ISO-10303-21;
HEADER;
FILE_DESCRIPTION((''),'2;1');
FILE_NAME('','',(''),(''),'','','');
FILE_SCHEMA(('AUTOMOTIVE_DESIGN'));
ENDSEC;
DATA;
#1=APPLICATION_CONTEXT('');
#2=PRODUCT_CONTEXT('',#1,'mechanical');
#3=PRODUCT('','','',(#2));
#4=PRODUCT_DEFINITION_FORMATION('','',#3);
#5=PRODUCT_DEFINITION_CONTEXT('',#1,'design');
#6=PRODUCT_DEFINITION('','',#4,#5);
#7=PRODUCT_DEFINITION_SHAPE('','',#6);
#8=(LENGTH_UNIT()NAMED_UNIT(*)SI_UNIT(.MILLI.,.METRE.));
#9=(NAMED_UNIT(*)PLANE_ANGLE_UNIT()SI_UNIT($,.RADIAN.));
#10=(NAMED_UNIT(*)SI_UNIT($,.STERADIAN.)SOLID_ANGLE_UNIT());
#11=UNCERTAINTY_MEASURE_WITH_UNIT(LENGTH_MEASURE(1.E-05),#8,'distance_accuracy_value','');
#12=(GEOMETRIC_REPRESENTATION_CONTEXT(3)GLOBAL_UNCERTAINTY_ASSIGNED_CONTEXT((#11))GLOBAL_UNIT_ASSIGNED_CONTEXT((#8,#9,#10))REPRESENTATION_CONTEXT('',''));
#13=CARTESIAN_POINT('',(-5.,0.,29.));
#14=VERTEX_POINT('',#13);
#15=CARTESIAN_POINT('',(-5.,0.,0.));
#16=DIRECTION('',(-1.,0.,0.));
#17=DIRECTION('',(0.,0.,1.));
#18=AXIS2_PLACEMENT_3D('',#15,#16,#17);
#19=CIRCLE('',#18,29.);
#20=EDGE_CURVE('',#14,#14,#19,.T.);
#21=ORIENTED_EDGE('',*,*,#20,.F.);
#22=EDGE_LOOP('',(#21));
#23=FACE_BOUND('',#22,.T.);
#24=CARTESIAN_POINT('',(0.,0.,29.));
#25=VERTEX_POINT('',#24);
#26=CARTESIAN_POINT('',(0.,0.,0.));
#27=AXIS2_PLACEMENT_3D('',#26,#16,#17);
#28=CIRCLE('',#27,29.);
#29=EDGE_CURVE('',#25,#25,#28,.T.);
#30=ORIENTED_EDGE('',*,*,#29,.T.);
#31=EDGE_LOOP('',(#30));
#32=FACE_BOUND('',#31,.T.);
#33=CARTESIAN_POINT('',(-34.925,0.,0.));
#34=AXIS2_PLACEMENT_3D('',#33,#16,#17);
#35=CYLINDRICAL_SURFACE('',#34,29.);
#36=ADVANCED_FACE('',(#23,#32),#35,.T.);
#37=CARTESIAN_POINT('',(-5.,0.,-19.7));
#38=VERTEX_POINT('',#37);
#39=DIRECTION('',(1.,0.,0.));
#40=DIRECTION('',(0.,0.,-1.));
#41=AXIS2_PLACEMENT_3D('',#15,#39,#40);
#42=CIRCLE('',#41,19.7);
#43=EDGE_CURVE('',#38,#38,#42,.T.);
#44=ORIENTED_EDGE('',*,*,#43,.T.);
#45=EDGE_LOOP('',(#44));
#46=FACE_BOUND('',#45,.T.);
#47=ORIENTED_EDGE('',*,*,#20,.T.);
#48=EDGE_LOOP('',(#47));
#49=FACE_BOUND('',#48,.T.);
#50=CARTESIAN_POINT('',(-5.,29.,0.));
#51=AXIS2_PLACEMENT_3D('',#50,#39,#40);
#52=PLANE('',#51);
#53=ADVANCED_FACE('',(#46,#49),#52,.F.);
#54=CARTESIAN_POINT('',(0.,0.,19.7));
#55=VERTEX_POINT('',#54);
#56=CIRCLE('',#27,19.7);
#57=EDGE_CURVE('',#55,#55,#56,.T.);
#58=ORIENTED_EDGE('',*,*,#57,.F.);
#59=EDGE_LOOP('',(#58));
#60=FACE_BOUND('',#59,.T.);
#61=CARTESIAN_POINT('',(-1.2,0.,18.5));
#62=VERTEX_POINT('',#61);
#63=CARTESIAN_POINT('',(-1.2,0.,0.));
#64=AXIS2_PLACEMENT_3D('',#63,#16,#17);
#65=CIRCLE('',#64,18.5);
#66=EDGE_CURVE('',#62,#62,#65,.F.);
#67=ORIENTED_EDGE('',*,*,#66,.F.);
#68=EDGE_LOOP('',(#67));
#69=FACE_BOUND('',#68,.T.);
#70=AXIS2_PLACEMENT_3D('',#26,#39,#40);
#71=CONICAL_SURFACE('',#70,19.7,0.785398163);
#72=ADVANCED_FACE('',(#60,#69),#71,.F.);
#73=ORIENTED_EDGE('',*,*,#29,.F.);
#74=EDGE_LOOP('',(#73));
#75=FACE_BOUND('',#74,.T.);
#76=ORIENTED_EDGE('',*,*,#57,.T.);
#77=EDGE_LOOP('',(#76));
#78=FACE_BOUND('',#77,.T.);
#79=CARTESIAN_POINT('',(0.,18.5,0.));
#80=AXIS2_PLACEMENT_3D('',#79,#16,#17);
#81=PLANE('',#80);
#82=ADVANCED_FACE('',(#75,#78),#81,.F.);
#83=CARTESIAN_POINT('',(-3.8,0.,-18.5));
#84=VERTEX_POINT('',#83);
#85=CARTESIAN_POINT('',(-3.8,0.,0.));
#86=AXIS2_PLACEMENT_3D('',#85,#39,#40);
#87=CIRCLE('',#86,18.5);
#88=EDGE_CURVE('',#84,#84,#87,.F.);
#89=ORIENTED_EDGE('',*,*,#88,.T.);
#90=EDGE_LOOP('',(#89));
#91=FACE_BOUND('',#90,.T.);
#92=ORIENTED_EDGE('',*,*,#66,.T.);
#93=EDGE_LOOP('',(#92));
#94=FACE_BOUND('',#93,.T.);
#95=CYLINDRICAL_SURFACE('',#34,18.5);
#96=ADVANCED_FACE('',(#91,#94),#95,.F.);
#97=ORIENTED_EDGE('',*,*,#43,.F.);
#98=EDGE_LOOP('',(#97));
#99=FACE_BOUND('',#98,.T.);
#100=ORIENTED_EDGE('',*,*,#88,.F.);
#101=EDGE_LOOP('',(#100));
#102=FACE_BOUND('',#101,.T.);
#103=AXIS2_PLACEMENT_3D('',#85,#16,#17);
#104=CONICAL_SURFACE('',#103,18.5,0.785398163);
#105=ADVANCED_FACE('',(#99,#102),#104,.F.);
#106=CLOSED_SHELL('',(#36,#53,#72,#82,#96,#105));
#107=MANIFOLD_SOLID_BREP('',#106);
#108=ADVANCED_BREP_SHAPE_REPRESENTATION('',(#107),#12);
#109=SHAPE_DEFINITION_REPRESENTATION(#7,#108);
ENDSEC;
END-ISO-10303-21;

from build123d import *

# Parameters (mm, degrees)
SKETCH1_W         = 5
SKETCH1_H         = 10.5
IDCHAMFER_SIZE    = 1.2
IDCHAMFERFAR_SIZE = 1.2


with BuildPart() as part:
    # Sketch1 → Base-Revolve (revolve)
    with BuildSketch(Plane.XY, mode=Mode.PRIVATE) as base_revolve_sk:
        with Locations((-2.5, 23.75)):
            Rectangle(SKETCH1_W, SKETCH1_H)
    revolve(base_revolve_sk.sketch.rotate(Axis((-34.925, 0, 0), (1, 0, 0)), 90), axis=Axis((-34.925, 0, 0), (1, 0, 0)))

    # IDChamfer
    idchamfer_edges = [part.edges().sort_by_distance(p)[0] for p in [
        (0, 0, -18.5),
    ]]
    chamfer(idchamfer_edges, length=IDCHAMFER_SIZE)

    # IDChamferFar
    idchamferfar_edges = [part.edges().sort_by_distance(p)[0] for p in [
        (-5, 0, -18.5),
    ]]
    chamfer(idchamferfar_edges, length=IDCHAMFERFAR_SIZE)


solid = part.part
